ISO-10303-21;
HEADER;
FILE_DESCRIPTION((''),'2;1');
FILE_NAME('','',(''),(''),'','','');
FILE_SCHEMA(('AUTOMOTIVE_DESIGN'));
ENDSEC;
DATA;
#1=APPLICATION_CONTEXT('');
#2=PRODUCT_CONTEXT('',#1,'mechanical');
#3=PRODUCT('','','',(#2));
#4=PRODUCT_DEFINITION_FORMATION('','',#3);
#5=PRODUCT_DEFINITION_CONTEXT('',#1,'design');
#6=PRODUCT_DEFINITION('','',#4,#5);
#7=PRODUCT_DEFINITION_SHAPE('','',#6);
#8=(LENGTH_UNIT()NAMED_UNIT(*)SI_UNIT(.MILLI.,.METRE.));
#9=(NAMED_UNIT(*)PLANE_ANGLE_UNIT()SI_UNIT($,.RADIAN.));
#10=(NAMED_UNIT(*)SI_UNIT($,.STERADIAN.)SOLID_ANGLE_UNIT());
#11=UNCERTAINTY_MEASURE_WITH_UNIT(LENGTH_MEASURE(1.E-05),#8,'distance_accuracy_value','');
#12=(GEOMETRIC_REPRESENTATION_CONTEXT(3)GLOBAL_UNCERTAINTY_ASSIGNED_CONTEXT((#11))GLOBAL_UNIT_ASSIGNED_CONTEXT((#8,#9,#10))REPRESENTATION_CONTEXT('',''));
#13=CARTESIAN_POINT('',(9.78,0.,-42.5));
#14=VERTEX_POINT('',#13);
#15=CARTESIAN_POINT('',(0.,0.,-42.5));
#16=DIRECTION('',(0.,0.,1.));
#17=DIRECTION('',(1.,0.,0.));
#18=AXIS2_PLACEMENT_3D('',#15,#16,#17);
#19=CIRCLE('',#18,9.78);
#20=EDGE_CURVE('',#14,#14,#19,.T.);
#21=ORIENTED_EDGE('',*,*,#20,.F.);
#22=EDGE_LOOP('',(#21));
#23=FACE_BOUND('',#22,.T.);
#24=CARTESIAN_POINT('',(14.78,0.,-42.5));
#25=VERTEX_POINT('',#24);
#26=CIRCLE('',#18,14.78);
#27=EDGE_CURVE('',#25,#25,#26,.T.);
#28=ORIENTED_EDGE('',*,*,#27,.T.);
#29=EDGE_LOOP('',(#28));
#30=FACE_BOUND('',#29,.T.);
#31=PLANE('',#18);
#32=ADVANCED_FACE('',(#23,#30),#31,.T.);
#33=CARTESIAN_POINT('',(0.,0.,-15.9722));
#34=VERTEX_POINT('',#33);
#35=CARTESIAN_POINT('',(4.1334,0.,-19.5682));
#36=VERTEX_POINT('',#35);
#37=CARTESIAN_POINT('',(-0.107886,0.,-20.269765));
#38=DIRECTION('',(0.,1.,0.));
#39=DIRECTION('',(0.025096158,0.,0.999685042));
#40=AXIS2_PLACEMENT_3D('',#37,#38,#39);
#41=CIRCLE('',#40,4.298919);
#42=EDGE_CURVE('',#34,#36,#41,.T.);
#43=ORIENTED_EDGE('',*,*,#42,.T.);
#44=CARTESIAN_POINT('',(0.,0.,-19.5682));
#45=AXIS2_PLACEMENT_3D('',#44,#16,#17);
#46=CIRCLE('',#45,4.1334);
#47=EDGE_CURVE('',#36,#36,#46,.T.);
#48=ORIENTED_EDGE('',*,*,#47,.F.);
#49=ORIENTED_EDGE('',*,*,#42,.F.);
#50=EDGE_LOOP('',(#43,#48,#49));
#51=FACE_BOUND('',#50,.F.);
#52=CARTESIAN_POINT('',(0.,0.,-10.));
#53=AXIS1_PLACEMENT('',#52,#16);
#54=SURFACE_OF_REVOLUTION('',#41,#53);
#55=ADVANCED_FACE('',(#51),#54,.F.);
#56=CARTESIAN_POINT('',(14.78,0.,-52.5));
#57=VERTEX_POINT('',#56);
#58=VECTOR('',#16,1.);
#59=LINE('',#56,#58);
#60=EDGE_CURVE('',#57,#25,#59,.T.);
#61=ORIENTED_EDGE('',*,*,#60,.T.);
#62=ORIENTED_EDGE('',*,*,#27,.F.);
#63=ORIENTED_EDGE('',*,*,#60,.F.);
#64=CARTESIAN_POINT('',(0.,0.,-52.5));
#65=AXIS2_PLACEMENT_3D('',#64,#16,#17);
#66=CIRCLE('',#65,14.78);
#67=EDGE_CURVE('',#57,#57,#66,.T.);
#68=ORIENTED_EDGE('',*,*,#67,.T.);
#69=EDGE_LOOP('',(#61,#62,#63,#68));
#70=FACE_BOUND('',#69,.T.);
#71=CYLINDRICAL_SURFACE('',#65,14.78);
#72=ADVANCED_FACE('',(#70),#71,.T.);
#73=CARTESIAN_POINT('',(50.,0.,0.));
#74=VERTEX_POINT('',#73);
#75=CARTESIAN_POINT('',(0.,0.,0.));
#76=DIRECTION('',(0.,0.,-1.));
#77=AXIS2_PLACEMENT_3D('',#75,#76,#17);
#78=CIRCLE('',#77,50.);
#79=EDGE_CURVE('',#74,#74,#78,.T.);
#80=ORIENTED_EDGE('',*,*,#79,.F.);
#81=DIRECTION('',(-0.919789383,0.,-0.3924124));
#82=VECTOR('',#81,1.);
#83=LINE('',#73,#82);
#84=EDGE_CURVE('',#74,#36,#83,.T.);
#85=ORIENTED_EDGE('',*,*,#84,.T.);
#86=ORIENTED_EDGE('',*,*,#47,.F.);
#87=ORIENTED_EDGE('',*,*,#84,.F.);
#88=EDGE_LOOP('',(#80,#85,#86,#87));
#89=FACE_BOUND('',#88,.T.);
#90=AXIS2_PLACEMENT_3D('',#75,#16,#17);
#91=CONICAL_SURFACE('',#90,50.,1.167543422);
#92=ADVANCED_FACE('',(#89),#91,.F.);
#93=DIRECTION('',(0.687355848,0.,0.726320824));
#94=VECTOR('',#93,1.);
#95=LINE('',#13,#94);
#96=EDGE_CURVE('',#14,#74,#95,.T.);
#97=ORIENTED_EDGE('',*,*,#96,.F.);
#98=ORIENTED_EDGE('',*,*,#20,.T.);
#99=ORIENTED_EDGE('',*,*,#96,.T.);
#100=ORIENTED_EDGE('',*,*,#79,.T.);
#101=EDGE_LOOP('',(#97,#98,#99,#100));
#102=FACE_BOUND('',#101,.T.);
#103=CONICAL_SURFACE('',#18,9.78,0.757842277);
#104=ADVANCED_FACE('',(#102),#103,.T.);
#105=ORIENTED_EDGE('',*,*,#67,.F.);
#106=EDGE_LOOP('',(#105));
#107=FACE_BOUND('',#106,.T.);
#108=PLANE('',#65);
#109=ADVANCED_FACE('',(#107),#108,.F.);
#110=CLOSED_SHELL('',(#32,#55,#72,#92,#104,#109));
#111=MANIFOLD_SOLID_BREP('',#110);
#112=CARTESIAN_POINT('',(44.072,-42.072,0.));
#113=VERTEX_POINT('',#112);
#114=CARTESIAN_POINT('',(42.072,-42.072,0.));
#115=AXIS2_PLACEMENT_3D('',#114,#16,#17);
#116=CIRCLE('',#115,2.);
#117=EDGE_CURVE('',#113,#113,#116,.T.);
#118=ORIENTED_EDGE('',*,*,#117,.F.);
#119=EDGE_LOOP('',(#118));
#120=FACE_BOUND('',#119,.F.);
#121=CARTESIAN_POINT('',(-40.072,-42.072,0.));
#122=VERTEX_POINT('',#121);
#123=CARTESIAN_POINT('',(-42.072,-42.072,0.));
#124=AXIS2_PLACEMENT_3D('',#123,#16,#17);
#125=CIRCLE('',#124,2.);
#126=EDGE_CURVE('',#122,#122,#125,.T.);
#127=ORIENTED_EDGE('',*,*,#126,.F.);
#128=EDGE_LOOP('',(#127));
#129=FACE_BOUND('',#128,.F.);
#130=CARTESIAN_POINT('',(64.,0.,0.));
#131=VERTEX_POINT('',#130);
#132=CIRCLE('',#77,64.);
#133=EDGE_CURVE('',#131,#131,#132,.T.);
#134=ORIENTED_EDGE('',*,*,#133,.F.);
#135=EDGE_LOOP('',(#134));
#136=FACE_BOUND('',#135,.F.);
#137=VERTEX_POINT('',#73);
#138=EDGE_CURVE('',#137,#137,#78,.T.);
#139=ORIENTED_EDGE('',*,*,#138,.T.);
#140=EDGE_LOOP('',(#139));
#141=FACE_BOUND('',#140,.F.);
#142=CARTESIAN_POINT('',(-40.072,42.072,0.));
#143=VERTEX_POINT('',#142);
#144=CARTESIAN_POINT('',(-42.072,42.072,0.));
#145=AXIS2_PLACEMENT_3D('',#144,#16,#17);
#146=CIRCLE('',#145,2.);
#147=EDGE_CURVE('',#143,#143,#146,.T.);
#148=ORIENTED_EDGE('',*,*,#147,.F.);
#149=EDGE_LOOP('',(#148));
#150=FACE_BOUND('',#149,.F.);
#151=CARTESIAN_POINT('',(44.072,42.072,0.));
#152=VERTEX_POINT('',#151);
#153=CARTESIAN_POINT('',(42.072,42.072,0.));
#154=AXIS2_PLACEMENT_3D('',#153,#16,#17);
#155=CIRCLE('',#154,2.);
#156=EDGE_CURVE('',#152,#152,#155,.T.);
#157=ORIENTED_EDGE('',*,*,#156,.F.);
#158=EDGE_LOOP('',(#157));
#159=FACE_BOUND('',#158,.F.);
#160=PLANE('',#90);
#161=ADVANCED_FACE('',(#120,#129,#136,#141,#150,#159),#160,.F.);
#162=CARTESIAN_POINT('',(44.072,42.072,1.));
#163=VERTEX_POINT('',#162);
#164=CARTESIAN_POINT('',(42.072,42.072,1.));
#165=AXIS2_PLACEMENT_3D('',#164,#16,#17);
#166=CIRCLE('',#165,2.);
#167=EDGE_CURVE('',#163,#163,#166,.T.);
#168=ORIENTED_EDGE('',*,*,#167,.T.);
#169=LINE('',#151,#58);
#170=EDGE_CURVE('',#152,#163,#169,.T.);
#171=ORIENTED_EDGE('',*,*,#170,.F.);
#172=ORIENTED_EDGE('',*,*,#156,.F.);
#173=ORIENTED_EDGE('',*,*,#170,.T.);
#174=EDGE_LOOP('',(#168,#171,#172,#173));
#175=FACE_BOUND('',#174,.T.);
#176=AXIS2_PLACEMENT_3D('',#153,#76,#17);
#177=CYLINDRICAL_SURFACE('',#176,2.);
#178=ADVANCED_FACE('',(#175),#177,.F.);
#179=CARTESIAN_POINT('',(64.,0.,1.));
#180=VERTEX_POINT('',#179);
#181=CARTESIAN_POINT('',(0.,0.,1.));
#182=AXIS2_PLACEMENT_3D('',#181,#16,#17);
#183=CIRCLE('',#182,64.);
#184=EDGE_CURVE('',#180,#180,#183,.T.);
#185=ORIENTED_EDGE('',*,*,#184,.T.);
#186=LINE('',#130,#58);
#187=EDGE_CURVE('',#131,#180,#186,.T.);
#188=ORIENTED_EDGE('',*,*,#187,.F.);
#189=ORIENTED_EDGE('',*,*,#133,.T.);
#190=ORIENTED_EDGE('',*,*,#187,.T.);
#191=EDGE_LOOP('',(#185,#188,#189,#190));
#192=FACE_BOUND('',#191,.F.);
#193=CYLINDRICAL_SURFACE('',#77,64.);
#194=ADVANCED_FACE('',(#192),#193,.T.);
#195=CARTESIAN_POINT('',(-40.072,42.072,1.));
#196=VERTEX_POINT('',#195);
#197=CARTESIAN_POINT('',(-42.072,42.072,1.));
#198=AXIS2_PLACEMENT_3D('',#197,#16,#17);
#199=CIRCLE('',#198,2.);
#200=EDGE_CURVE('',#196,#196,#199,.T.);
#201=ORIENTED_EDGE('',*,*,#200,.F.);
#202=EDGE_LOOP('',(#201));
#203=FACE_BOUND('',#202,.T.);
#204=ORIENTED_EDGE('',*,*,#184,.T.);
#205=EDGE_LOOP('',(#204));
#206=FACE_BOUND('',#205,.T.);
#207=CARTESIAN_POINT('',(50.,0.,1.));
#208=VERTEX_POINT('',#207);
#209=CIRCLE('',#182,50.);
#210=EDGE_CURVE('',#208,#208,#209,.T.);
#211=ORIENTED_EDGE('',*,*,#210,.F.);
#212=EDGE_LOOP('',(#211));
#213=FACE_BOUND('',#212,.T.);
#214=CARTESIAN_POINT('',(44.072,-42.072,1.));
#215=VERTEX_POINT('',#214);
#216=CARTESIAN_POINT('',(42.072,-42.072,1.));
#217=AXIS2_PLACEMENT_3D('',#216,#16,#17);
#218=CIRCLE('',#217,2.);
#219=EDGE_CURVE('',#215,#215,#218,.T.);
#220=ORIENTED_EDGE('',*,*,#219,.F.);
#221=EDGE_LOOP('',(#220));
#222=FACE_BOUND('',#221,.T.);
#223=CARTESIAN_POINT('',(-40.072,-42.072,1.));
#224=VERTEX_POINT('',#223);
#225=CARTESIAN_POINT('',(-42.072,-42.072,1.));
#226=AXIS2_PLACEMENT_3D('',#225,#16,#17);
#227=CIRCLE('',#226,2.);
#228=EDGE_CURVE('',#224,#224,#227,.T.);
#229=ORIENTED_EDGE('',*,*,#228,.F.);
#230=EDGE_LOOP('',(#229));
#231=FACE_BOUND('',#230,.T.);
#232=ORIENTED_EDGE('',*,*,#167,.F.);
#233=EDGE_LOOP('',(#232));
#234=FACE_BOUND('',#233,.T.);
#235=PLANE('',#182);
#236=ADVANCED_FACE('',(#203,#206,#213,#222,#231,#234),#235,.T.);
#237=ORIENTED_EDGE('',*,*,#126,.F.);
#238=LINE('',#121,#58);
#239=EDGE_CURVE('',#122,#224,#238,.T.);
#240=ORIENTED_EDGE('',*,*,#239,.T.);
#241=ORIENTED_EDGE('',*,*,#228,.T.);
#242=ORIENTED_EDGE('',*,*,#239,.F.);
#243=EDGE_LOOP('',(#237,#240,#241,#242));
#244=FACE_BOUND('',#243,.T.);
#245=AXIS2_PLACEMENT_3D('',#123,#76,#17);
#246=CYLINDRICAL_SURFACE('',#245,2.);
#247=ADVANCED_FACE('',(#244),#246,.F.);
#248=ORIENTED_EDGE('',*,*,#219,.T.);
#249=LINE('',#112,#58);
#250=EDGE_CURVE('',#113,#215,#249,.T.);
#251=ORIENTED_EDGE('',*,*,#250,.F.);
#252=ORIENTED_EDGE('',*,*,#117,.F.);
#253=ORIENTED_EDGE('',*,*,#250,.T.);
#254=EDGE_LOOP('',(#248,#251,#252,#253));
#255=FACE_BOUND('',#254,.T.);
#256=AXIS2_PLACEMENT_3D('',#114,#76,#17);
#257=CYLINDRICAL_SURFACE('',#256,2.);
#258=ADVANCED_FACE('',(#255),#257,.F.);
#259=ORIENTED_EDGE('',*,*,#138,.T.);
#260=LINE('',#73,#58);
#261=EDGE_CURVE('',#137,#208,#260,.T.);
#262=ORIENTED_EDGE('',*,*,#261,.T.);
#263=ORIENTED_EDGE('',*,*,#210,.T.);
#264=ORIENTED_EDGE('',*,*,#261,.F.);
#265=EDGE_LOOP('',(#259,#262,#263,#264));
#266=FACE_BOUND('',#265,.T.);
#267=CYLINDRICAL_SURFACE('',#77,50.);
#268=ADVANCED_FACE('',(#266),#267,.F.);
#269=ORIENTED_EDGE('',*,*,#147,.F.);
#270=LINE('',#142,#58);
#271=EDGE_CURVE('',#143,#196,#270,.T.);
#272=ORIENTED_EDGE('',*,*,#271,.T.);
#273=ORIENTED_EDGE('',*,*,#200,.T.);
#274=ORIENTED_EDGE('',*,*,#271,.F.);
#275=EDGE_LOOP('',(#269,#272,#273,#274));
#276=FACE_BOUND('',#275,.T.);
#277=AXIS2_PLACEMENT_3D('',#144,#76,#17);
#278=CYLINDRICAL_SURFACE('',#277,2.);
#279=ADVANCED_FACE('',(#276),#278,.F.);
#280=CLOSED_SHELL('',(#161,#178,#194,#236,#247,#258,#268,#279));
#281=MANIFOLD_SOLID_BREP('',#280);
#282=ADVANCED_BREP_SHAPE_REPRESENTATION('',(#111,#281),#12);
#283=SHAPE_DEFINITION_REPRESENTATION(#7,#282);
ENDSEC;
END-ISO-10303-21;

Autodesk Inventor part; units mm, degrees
ref_plane "YZ Plane" through (0, 0, 0) normal (1, 0, 0) x (0, 1, 0)
ref_plane "XZ Plane" through (0, 0, 0) normal (0, 1, 0) x (-1, 0, 0)
ref_plane "XY Plane" through (0, 0, 0) normal (0, 0, 1) x (1, 0, 0)
sketch "스케치1" plane through (0, 0, 0) normal (0, 0, 1) x (1, 0, 0)
  circle A0 centre (0, 0) radius 64
  circle A1 centre (42.072, 42.072) radius 2
  line L0 (-89.6, 0) -> (89.6, 0) projected
  line L1 (0, -89.6) -> (0, 89.6) projected
  circle A2 centre (-42.072, 42.072) radius 2
  circle A3 centre (-42.072, -42.072) radius 2
  circle A4 centre (42.072, -42.072) radius 2
  circle A5 centre (0, 0) radius 50
  dimension "d0" = 128
  dimension "d1" = 4
  dimension "d2" = 42.072
  dimension "d3" = 42.072
  dimension "d4" = 4
  dimension "d5" = 4
  dimension "d6" = 4
  dimension "d7" = 42.072
  dimension "d8" = 42.072
  dimension "d9" = 42.072
  dimension "d10" = 42.072
  dimension "d11" = 42.072
  dimension "d12" = 42.072
  dimension "d15" = 100
extrude "돌출1" add sketch "스케치1" along normal blind 1 contours L0 A5 L1 A0 | A0 L1 A5 L0 | L1 A5 L0 A0 | A0 L0 A5 L1
sketch "스케치4" plane through (0, 0, 0) normal (0, 1, 0) x (-1, 0, 0)
  line L0 (0, -15.9722) -> (0, -52.5)
  line L1 (0, -52.5) -> (-14.78, -52.5)
  line L2 (-14.78, -52.5) -> (-14.78, -42.5)
  line L3 (64, 0) -> (-64, 0) projected
  line L4 (-14.78, -42.5) -> (-9.78, -42.5)
  line L5 (-50, 0) -> (50, 0) projected
  line L6 (-9.78, -42.5) -> (-50, 0)
  line L7 (-50, 0) -> (0, 0)
  line L8 (-50, 0) -> (-4.1334, -19.5682)
  arc A0 (0, -15.9722) -> (-4.1334, -19.5682) centre (0.1079, -20.2698) ccw
  line L9 (0, -63.2) -> (0, 11.7) projected
  dimension "d16" = 52.5
  dimension "d17" = 14.78
  dimension "d18" = 10
  dimension "d19" = 5
  dimension "d20" = 20
revolve "회전1" add sketch "스케치4" angle 360 about axis through (0, 0, -10) along (0, 0, 1) contours L0 L1 L2 L4 L6 L8 A0
properties part number "스피커"
